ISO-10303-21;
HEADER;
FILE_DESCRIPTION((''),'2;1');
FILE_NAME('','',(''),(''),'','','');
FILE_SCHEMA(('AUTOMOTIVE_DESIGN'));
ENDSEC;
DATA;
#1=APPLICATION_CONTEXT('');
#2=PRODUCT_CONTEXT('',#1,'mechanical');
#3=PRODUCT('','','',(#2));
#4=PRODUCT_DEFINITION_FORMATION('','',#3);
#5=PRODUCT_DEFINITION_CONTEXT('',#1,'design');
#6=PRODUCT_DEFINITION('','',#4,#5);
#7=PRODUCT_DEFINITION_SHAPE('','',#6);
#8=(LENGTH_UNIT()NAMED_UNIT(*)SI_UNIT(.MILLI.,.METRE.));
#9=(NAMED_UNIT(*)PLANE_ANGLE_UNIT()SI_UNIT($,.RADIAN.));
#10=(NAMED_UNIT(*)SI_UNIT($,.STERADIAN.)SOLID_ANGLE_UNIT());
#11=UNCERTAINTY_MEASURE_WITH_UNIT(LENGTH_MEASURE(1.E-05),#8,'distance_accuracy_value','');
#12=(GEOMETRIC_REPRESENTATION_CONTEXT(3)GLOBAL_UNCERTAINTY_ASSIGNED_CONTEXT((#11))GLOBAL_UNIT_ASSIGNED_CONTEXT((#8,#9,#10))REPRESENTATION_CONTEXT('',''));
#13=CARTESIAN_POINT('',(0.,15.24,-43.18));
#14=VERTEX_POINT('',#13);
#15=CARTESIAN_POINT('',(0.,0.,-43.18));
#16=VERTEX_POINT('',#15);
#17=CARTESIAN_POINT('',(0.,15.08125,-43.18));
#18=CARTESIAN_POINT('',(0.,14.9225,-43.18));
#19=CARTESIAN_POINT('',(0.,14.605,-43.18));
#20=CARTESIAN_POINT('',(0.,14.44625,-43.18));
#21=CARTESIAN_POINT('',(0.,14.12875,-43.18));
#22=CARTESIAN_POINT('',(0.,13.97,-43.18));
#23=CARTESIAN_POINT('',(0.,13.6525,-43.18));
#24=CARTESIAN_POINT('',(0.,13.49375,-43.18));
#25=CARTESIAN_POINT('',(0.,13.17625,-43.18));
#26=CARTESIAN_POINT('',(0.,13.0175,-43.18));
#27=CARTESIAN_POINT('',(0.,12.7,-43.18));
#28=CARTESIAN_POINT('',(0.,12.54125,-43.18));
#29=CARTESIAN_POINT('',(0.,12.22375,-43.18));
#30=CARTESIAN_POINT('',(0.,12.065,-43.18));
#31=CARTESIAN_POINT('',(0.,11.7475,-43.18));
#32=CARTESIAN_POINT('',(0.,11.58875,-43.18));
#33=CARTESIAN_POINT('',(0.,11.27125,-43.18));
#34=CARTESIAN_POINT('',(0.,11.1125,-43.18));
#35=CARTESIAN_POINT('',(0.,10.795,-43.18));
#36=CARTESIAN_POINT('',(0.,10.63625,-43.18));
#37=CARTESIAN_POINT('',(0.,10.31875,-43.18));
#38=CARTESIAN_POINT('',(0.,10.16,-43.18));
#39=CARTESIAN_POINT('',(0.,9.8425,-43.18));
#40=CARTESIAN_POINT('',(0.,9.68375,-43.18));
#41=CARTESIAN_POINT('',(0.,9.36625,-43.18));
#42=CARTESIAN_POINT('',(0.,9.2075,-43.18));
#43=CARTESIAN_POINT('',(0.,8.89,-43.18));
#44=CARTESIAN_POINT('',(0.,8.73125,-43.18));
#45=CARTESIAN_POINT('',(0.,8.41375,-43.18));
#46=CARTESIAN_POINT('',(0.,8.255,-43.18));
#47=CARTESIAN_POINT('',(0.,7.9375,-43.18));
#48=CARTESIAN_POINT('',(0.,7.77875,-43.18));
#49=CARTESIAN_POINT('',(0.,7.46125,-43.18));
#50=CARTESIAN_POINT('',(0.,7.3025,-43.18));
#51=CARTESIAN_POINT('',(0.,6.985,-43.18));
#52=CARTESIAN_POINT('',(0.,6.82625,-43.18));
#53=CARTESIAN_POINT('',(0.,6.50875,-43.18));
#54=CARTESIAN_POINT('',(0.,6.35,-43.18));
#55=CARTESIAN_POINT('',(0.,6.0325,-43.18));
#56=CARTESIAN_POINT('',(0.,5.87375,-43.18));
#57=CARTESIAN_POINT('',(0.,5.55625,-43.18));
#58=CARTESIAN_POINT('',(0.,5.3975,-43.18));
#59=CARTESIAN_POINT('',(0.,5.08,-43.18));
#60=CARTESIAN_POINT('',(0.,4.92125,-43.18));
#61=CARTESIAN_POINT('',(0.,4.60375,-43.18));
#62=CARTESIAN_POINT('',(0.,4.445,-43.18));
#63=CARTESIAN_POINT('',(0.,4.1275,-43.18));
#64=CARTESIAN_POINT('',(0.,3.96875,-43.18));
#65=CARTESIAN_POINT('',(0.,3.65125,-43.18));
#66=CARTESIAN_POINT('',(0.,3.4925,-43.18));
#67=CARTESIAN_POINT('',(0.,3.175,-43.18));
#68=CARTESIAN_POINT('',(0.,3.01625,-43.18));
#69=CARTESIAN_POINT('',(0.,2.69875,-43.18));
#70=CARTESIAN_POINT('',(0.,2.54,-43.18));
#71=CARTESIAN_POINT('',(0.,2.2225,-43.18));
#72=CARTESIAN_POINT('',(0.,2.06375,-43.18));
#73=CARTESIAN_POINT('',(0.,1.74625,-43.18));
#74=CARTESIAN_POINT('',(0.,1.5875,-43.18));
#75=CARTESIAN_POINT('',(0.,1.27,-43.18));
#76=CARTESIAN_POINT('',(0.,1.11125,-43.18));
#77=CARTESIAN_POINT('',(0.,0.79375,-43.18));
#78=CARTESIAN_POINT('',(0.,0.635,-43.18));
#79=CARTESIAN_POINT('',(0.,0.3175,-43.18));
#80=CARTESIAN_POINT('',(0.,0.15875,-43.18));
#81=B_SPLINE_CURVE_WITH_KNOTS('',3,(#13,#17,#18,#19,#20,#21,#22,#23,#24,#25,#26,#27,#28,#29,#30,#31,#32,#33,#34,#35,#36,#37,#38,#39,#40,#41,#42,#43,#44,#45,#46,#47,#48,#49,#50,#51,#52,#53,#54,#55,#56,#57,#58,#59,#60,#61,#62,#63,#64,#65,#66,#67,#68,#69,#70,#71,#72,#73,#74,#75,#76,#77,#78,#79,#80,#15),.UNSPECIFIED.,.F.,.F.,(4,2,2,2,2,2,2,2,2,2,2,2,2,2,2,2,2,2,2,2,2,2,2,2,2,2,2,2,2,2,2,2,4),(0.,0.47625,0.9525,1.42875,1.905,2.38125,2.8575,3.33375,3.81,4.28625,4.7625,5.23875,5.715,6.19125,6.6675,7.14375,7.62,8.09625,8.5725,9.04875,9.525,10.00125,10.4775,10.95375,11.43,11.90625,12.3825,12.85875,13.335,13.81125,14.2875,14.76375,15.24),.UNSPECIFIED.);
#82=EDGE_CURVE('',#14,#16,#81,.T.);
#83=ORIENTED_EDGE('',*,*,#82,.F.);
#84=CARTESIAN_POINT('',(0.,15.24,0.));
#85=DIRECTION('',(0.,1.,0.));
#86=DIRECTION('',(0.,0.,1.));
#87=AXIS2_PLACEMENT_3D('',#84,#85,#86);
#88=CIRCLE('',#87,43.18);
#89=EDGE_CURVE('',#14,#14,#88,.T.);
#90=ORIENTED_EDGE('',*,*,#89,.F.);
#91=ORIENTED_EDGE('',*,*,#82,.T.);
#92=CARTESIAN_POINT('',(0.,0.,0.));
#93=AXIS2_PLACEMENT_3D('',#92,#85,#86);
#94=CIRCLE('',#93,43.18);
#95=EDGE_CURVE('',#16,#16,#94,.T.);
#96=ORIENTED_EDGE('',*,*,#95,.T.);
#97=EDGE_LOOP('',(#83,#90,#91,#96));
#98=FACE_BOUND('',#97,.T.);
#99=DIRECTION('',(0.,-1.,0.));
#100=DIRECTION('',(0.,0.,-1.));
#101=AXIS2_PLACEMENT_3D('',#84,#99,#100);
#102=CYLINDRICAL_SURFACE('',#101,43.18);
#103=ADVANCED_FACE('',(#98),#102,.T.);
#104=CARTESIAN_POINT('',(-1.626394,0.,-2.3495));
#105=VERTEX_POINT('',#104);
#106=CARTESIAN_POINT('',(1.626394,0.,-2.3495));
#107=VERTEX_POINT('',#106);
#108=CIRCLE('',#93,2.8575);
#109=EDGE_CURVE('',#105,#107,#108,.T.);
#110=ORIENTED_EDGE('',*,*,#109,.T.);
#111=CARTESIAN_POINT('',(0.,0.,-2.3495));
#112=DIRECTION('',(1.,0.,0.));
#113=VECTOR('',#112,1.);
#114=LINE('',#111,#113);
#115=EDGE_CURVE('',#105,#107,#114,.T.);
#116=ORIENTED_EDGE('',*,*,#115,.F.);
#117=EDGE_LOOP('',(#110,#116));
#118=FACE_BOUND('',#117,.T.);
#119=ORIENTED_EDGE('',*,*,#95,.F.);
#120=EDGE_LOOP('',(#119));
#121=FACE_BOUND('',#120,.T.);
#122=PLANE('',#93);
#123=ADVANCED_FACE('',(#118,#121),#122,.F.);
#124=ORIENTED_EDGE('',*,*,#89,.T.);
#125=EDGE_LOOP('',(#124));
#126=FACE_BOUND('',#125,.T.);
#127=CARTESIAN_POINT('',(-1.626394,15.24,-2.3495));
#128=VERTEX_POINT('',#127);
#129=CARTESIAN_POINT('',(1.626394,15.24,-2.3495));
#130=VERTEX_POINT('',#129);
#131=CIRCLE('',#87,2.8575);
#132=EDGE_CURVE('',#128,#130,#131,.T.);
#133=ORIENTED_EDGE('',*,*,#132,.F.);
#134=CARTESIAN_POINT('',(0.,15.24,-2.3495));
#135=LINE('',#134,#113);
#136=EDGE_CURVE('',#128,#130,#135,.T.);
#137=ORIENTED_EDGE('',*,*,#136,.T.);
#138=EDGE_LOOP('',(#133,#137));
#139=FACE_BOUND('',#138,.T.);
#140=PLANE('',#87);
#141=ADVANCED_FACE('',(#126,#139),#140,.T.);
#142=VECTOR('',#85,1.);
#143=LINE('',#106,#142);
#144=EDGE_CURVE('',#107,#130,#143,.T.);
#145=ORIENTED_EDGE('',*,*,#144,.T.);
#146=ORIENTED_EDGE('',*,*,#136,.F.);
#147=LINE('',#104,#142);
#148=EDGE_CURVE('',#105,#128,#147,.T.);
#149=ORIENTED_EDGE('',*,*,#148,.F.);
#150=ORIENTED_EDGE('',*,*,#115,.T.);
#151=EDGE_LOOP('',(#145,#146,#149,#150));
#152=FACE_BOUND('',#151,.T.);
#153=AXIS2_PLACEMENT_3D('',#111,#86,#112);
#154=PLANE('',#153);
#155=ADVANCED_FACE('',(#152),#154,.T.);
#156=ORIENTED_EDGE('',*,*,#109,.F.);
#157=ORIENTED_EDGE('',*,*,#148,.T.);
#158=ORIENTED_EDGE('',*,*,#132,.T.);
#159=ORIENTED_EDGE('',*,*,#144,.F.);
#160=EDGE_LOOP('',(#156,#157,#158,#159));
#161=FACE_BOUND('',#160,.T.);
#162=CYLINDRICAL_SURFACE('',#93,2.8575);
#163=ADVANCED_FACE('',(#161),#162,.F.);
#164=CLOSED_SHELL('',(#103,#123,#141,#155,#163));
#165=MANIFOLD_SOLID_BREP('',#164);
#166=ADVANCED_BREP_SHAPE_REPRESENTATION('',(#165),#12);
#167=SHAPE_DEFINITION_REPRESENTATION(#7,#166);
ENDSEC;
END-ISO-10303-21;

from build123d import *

# Parameters (mm, degrees)
SKETCH2_R           = 43.18
BOSS_EXTRUDE1_DEPTH = 15.24
CUT_EXTRUDE1_DEPTH  = 63.938719402


with BuildPart() as part:
    # Sketch2 → Boss-Extrude1 (new body)
    with BuildSketch(Plane(origin=(0, 0, 0), x_dir=(1, 0, 0), z_dir=(0, 1, 0))):
        with Locations(Location((0, 0, 0), (0, 0, 90))):
            Circle(SKETCH2_R)
    extrude(amount=BOSS_EXTRUDE1_DEPTH)

    # Sketch3 → Cut-Extrude1 (cut, through all)
    with BuildSketch(Plane(origin=(0, 15.24, 0), x_dir=(1, 0, 0), z_dir=(0, 1, 0))):
        with BuildLine():
            Line((1.626393556, 2.3495), (-1.626393556, 2.3495))
            ThreePointArc((-1.626393556, 2.3495), (-1.326251609, -2.531079398), (2.8575, 0))
            ThreePointArc((2.8575, 0), (2.531079398, 1.326251609), (1.626393556, 2.3495))
        make_face()
    extrude(amount=-CUT_EXTRUDE1_DEPTH, mode=Mode.SUBTRACT)


solid = part.part
